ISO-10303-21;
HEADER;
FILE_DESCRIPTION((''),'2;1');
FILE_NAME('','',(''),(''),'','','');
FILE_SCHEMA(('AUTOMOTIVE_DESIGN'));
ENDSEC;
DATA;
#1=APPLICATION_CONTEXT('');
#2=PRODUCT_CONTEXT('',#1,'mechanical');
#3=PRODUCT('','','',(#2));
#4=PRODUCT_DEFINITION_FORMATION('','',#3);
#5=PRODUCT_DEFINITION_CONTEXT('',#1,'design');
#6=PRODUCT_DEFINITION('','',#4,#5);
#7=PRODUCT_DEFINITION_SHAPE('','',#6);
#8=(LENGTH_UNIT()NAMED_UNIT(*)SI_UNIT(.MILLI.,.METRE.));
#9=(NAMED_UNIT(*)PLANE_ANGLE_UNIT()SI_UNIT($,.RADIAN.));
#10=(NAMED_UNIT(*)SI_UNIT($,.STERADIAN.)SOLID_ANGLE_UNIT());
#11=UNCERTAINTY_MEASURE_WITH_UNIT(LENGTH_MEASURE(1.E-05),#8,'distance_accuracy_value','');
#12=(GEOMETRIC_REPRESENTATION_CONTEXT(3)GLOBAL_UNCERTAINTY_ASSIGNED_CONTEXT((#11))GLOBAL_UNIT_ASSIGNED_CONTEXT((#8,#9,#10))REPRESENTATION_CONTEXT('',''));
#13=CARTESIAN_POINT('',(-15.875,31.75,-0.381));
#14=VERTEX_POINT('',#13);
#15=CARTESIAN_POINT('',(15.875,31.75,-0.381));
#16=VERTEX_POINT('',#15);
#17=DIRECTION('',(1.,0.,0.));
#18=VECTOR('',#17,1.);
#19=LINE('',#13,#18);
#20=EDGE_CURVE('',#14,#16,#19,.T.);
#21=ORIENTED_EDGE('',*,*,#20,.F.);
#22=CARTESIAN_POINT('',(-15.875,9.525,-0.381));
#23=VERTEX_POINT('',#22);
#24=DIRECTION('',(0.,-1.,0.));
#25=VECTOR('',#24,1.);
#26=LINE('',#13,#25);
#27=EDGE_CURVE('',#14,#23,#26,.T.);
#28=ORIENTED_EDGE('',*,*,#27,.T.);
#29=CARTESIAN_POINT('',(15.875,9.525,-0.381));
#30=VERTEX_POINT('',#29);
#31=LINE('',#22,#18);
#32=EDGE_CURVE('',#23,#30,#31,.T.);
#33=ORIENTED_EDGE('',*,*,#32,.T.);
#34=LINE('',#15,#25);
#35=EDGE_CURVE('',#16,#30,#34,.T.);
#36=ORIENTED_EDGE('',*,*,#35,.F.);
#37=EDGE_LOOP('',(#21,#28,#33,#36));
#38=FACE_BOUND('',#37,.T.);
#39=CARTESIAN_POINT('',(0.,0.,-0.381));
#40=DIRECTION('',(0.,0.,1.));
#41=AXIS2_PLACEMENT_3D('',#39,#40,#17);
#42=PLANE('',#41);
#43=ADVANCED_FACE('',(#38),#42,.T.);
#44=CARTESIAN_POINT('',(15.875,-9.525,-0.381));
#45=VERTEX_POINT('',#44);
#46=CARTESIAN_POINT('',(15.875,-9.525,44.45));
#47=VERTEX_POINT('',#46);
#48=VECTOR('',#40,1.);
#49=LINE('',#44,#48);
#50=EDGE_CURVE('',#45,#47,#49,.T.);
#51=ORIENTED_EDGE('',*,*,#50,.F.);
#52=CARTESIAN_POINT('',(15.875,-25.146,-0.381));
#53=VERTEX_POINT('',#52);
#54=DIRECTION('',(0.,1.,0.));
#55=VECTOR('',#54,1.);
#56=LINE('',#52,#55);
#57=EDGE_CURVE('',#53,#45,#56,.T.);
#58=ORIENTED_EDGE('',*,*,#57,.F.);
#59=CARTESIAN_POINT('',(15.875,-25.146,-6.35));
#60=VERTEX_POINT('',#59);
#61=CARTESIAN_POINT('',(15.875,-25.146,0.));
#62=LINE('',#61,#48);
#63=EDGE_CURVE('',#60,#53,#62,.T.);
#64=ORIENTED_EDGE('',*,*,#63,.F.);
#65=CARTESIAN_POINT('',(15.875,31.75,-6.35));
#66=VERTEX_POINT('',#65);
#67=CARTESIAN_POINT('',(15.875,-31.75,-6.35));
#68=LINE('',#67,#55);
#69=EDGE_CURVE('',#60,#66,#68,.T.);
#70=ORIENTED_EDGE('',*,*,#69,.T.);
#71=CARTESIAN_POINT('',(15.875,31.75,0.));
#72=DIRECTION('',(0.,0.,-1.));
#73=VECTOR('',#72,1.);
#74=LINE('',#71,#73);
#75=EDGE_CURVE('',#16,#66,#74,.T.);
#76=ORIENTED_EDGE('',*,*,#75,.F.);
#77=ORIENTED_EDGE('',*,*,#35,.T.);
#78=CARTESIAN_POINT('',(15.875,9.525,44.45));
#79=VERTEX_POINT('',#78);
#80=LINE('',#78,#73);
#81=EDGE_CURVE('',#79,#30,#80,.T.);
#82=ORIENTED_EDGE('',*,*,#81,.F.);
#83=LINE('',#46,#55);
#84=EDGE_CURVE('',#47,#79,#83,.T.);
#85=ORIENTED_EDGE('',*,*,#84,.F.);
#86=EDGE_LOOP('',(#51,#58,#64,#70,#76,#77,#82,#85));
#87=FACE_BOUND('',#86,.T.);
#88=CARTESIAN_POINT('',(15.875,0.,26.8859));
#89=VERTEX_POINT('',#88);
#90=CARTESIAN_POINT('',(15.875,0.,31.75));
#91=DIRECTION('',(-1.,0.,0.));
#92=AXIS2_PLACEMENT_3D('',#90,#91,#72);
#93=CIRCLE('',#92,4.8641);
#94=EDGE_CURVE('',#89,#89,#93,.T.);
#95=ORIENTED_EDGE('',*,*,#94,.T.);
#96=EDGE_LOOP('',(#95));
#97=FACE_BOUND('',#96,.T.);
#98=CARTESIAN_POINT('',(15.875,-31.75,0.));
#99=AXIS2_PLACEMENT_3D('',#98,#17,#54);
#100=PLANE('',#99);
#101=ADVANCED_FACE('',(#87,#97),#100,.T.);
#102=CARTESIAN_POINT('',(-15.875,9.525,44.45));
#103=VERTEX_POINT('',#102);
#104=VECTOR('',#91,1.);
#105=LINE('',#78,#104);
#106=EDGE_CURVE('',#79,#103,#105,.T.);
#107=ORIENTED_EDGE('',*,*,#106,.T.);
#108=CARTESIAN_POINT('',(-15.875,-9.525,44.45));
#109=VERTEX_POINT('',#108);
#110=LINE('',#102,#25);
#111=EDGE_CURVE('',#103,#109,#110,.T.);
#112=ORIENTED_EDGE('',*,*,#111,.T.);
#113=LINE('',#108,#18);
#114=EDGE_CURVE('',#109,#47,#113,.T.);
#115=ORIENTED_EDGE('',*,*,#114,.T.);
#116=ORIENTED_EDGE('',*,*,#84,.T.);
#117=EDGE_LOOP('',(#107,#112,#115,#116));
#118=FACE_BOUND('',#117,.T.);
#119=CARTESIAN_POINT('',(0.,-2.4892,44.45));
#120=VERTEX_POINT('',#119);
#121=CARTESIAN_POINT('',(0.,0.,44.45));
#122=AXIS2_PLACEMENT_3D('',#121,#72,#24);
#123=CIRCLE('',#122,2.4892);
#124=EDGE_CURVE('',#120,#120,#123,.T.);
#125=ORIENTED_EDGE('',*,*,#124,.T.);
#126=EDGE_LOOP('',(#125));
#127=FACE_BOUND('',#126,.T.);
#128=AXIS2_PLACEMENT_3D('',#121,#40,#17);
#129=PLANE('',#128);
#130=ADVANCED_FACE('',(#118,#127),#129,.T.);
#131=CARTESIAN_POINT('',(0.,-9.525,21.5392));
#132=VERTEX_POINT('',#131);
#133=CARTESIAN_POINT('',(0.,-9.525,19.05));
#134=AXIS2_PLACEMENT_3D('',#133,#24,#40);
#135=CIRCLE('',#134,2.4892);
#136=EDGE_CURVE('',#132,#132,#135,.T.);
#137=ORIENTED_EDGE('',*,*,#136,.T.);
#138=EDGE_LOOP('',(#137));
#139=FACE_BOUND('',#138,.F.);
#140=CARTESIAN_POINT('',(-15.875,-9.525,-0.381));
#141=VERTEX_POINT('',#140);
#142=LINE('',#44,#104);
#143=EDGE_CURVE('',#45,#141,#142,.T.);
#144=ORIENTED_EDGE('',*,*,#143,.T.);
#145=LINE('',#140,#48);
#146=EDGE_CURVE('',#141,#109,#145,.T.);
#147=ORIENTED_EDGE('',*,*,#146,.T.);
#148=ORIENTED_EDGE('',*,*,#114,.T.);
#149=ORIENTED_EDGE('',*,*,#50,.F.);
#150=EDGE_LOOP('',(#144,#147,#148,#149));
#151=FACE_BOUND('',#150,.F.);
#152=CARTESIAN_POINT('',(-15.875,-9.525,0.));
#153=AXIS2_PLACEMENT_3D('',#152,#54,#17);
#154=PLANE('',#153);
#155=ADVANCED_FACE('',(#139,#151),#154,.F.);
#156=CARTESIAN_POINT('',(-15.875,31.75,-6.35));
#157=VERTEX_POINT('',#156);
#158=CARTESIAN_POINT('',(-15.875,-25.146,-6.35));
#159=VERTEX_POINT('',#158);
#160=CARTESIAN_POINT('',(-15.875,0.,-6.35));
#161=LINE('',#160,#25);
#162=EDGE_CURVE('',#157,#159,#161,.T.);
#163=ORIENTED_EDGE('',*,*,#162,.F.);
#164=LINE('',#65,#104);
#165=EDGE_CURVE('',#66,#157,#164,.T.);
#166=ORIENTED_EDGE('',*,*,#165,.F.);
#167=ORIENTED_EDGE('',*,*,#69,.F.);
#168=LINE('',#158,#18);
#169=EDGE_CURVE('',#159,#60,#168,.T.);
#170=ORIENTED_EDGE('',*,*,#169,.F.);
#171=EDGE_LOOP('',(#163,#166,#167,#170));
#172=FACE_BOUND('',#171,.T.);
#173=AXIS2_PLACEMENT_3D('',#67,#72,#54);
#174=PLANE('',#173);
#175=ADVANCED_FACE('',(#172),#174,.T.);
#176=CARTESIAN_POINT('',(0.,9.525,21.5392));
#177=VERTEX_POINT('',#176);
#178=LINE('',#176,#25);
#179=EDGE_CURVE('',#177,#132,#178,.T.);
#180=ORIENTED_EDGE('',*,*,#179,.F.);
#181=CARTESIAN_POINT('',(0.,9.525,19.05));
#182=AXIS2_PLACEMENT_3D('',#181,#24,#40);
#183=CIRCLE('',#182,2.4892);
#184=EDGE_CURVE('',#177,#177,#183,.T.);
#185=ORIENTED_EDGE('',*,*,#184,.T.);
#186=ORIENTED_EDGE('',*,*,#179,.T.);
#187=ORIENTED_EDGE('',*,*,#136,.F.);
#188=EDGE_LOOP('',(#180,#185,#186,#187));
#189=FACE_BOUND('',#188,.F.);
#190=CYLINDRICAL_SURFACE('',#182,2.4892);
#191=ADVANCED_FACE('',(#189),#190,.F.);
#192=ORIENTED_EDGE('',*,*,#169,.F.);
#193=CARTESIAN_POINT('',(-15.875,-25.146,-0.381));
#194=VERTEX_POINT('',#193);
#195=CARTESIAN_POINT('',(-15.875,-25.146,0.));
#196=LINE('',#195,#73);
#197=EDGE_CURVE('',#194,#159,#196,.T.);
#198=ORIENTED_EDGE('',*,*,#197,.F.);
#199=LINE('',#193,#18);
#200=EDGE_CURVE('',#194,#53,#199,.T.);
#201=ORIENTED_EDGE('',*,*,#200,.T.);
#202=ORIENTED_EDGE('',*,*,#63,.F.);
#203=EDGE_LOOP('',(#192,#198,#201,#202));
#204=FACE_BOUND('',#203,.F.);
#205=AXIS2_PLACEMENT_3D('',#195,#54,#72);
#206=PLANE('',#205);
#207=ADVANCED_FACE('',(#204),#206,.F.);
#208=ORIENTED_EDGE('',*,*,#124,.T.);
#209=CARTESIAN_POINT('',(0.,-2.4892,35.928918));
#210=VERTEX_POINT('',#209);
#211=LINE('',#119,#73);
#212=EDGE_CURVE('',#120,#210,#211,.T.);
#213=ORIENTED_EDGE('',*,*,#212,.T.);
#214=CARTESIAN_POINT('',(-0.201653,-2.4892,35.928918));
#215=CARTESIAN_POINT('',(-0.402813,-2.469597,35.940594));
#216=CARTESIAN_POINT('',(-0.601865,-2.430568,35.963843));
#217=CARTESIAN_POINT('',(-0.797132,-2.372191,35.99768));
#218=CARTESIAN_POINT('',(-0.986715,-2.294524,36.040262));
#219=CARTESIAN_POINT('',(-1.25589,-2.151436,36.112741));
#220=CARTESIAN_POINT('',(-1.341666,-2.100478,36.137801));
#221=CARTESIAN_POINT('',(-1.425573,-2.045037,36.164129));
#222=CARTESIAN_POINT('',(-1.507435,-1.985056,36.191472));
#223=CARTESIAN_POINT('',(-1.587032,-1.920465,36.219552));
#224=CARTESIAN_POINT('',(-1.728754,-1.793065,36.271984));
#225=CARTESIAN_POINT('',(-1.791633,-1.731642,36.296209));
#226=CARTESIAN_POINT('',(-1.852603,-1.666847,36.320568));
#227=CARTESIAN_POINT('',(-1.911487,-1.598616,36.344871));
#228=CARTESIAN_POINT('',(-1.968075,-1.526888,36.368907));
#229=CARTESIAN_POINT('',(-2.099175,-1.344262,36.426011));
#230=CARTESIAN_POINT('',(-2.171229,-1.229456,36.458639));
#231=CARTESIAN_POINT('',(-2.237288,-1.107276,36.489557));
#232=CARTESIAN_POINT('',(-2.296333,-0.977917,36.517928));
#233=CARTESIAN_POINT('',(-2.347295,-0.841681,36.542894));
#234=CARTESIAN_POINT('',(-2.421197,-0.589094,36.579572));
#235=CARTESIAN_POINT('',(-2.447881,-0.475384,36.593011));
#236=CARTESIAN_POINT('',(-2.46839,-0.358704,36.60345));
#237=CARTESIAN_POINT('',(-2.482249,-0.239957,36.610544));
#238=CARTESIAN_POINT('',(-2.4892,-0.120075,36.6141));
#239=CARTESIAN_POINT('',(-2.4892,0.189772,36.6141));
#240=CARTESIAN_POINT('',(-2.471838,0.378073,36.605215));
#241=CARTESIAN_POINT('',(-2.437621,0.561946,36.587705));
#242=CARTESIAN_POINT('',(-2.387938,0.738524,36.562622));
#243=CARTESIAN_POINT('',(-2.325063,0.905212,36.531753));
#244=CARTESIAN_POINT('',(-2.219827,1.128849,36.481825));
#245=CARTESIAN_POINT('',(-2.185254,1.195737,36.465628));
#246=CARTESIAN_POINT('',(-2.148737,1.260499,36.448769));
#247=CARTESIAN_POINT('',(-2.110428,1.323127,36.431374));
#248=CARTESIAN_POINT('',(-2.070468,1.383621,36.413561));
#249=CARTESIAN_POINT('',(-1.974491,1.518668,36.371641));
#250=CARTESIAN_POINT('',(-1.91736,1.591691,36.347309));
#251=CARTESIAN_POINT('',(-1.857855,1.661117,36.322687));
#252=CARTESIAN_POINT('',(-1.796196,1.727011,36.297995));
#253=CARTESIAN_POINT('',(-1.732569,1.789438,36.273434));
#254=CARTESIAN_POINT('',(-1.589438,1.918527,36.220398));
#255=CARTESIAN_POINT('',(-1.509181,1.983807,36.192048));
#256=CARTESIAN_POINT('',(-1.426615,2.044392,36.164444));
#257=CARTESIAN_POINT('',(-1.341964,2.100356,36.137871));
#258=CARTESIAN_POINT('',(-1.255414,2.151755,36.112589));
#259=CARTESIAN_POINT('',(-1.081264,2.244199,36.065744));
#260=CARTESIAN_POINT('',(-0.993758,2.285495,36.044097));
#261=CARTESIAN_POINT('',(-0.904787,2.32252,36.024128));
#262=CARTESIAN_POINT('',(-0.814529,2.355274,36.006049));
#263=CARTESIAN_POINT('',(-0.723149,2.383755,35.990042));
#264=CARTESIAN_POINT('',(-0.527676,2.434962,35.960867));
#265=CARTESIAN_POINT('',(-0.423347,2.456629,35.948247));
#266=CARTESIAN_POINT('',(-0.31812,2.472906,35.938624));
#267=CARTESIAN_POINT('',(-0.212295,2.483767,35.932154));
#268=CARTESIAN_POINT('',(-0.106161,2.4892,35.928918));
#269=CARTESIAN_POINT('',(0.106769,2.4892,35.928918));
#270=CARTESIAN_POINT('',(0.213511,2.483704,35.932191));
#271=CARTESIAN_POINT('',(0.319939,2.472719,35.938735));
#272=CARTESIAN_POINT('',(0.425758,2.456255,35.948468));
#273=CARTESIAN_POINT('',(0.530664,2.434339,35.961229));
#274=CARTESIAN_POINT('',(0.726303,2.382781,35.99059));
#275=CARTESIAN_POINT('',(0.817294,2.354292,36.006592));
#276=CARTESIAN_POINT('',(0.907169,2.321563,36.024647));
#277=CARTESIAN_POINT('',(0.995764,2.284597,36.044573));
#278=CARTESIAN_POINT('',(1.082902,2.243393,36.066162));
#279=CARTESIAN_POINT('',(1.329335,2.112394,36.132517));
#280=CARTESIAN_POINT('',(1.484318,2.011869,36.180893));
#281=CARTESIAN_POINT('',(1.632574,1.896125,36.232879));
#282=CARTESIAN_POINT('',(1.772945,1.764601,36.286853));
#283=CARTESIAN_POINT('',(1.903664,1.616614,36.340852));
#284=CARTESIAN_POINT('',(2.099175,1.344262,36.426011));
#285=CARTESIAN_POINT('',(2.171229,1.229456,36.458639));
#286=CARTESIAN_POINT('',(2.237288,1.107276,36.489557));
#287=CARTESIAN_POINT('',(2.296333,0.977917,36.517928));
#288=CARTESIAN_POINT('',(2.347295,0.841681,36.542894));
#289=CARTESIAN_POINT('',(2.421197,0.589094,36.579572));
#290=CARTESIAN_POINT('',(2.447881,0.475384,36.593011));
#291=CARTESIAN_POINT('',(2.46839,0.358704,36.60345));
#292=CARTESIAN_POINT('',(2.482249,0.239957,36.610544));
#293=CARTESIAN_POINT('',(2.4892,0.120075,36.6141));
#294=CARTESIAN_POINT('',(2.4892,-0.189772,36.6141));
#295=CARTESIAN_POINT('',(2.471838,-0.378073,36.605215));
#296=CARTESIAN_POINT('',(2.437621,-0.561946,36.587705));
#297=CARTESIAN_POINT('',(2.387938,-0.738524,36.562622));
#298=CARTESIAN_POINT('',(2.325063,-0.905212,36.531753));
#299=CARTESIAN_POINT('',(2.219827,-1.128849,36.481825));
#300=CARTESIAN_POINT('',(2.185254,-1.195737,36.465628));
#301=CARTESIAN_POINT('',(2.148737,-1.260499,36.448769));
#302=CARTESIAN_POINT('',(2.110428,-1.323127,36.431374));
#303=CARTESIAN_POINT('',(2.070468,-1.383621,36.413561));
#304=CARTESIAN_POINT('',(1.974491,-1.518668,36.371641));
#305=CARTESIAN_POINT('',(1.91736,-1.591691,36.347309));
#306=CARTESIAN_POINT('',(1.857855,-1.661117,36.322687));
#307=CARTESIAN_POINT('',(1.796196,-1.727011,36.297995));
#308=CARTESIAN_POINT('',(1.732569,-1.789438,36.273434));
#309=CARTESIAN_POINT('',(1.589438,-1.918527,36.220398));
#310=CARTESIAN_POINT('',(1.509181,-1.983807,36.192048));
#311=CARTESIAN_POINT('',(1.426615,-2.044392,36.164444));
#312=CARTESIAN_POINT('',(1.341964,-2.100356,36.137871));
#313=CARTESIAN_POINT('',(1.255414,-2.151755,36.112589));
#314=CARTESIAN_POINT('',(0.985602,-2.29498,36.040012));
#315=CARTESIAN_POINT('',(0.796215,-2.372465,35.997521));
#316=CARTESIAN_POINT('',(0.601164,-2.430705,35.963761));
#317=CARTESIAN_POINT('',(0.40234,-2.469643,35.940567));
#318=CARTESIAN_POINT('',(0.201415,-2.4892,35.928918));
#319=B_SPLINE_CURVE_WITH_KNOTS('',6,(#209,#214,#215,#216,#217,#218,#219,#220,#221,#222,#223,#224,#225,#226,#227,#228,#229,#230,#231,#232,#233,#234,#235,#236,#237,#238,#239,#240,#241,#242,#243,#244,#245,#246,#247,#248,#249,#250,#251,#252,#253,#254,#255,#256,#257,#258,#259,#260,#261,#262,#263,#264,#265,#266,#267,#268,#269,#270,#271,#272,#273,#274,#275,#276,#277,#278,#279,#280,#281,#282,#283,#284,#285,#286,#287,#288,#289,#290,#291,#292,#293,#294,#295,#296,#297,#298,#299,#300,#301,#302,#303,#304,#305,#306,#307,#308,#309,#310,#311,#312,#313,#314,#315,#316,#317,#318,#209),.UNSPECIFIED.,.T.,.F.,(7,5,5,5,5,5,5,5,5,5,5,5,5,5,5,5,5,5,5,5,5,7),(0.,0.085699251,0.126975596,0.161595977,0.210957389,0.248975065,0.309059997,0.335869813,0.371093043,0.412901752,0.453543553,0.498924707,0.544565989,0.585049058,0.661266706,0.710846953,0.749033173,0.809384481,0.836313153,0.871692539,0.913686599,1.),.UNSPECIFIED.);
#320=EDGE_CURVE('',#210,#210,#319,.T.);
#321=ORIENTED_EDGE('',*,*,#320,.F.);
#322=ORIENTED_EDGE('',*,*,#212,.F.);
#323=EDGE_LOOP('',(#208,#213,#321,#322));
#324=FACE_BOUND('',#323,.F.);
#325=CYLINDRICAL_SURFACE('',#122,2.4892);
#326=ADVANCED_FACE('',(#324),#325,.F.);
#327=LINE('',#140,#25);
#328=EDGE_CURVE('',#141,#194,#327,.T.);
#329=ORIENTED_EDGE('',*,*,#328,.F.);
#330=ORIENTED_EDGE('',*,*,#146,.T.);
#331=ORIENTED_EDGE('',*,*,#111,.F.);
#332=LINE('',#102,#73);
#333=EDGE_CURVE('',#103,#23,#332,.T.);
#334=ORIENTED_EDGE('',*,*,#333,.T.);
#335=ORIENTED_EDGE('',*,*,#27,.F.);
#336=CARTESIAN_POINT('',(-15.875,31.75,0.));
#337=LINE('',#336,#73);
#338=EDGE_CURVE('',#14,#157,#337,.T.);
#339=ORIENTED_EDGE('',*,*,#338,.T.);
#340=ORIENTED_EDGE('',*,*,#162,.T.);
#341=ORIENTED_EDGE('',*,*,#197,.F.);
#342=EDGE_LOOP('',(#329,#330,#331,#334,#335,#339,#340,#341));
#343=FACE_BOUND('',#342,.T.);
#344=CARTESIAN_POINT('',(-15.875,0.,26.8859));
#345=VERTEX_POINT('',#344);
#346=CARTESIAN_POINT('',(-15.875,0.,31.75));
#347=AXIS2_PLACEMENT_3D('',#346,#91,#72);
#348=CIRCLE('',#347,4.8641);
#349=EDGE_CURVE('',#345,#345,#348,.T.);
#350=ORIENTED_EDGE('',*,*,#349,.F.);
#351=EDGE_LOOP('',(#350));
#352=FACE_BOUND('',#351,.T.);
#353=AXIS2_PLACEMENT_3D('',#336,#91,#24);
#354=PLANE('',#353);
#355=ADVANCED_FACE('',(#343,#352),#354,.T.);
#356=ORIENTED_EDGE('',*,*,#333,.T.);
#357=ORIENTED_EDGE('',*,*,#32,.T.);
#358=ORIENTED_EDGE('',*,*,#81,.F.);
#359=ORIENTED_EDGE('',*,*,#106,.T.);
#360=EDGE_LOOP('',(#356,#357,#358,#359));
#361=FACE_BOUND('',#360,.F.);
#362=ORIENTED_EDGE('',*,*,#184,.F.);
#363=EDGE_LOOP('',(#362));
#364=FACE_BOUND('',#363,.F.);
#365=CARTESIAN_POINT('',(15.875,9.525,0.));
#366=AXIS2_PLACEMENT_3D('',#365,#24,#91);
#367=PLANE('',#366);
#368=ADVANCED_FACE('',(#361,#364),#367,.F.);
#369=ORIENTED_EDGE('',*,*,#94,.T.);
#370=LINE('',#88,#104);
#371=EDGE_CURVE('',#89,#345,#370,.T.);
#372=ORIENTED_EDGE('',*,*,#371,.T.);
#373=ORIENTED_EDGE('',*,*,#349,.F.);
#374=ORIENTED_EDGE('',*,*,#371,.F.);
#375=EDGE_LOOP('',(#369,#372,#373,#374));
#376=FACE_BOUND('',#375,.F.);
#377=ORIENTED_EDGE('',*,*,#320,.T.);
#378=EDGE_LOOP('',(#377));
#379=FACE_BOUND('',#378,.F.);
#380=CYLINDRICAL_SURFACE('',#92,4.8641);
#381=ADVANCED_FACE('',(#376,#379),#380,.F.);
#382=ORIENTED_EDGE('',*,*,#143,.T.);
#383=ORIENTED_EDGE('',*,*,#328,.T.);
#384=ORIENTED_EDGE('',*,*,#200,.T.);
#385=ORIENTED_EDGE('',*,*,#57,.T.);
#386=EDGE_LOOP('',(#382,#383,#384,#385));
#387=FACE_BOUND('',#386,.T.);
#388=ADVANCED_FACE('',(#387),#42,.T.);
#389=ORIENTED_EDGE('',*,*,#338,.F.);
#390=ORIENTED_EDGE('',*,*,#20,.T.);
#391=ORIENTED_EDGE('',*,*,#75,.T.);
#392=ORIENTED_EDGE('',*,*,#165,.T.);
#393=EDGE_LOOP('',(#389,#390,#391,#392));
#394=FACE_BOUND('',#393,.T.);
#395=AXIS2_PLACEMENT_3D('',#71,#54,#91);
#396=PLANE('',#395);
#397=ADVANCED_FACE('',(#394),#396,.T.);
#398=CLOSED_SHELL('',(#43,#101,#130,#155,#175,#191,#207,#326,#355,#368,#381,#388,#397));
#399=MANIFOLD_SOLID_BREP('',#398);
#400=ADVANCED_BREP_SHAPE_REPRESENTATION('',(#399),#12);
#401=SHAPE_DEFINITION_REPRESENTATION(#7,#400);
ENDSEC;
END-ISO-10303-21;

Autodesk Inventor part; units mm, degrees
ref_plane "YZ Plane" through (0, 0, 0) normal (1, 0, 0) x (0, 1, 0)
ref_plane "XZ Plane" through (0, 0, 0) normal (0, 1, 0) x (-1, 0, 0)
ref_plane "XY Plane" through (0, 0, 0) normal (0, 0, 1) x (1, 0, 0)
sketch "Sketch1" plane through (0, 0, 0) normal (0, 0, 1) x (1, 0, 0)
  line L0 (-15.875, -31.75) -> (15.875, -31.75)
  line L1 (15.875, -31.75) -> (15.875, 31.75)
  line L2 (15.875, 31.75) -> (-15.875, 31.75)
  line L3 (-15.875, 31.75) -> (-15.875, -31.75)
  line L4 (-15.875, -31.75) -> (15.875, 31.75) construction
  line L5 (15.875, -31.75) -> (-15.875, 31.75) construction
  point P0 (0, 0)
  dimension "height" = 63.5
  dimension "width" = 31.75
extrude "Extrusion1" add sketch "Sketch1" against normal blind 12.7
sketch "Sketch3" plane through (0, 0, 0) normal (0, 0, 1) x (1, 0, 0)
  line L0 (-15.875, -9.525) -> (15.875, -9.525)
  line L1 (15.875, -9.525) -> (15.875, 9.525)
  line L2 (15.875, 9.525) -> (-15.875, 9.525)
  line L3 (-15.875, 9.525) -> (-15.875, -9.525)
  line L4 (-15.875, -9.525) -> (15.875, 9.525) construction
  line L5 (15.875, -9.525) -> (-15.875, 9.525) construction
  line L6 (15.875, 31.75) -> (-15.875, 31.75) projected
  point P0 (0, 0)
  dimension "Channel_Width" = 19.05
  dimension "d52" = 31.75
extrude "Extrusion3" add sketch "Sketch3" along normal blind 44.45
sketch "Sketch6" plane through (15.875, -31.75, -12.7) normal (1, 0, 0) x (0, 0, -1)
  line L0 (-12.7, 31.75) -> (-57.15, 31.75) construction
  line L1 (-57.15, 22.225) -> (-57.15, 41.275) construction
  line L2 (-12.7, 41.275) -> (-12.7, 63.5) construction
  point P0 (-44.45, 31.75)
  dimension "d53" = 31.75
hole "Hole5" at (15.875, 0, 31.75) direction (-1, 0, 0) diameter 9.7282 end through all thread size "7/16-20 UNF" class "2B" standard "ANSI Unified Screw Threads"
sketch "Sketch13" plane through (15.875, -31.75, -12.7) normal (1, 0, 0) x (0, 0, -1)
  line L0 (-12.7, 63.5) -> (0, 63.5) projected
  line L1 (0, 0) -> (-6.35, 0)
  line L2 (-6.35, 0) -> (-6.35, 63.5)
  line L3 (-6.35, 63.5) -> (0, 63.5)
  line L4 (0, 63.5) -> (0, 0)
  point P0 (-12.7, 31.75)
  dimension "d98" = 6.35
extrude "Extrusion5" cut sketch "Sketch13" against normal through all
sketch "Sketch14" plane through (-15.875, -31.75, 0) normal (-1, 0, 0) x (0, 0, 1)
  line L0 (0, 0) -> (-6.35, 0) projected
  line L1 (0, 0) -> (0, 22.225) projected
  line L2 (-6.35, 0) -> (0, 0)
  line L3 (0, 0) -> (0, 6.604)
  line L4 (0, 6.604) -> (-6.35, 6.604)
  line L5 (-6.35, 6.604) -> (-6.35, 0)
  point P0 (0, 31.75)
  dimension "d101" = 6.604
extrude "Extrusion6" cut sketch "Sketch14" against normal through all
sketch "Sketch15" plane through (-15.875, 9.525, 0) normal (0, 1, 0) x (1, 0, 0)
  line L0 (31.75, -44.45) -> (0, -44.45) projected
  line L1 (0, 0) -> (0, -44.45) projected
  point P0 (15.875, 0)
  point P1 (15.875, -19.05)
  dimension "d104" = 25.4
  dimension "d123" = 15.875
hole "Hole11" at (0, 9.525, 19.05) direction (0, -1, 0) diameter 4.9784 end through all thread size "1/4-20 UNC" class "2B" standard "ANSI Unified Screw Threads"
sketch "Sketch11" plane through (0, 0, 44.45) normal (0, 0, 1) x (1, 0, 0)
  point P0 (0, 0)
hole "Hole12" at (0, 0, 44.45) direction (0, 0, -1) diameter 4.9784 depth 12.7 tip angle 118 thread size "1/4-20 UNC" class "2B" standard "ANSI Unified Screw Threads"
sketch "Sketch16" plane through (15.875, 9.525, 0) normal (1, 0, 0) x (0, 0, -1)
  point P0 (0, -9.525)
sketch "Sketch17" plane through (0, 0, 0) normal (0, 0, 1) x (1, 0, 0)
  line L0 (-15.875, 31.75) -> (-15.875, 9.525) projected
  line L1 (-15.875, 9.525) -> (15.875, 9.525) projected
  line L2 (-15.875, 31.75) -> (15.875, 31.75)
  line L3 (15.875, 31.75) -> (15.875, 9.525)
  line L4 (15.875, 9.525) -> (-15.875, 9.525)
  line L5 (-15.875, 9.525) -> (-15.875, 31.75)
  point P0 (0, 0)
extrude "Extrusion7" cut sketch "Sketch17" against normal blind 0.381
sketch "Sketch18" plane through (0, 0, 0) normal (0, 0, 1) x (1, 0, 0)
  line L0 (-15.875, -25.146) -> (15.875, -25.146) projected
  line L1 (15.875, -9.525) -> (15.875, 9.525) projected
  line L2 (-15.875, -25.146) -> (15.875, -25.146)
  line L3 (15.875, -25.146) -> (15.875, -9.525)
  line L4 (15.875, -9.525) -> (-15.875, -9.525)
  line L5 (-15.875, -9.525) -> (-15.875, -25.146)
  point P0 (0, 0)
extrude "Extrusion8" cut sketch "Sketch18" against normal blind 0.381
sketch "Sketch10" plane through (0, 0, 44.45) normal (0, 0, 1) x (1, 0, 0)
  point P0 (0, 0)
sketch "Sketch12" plane through (-15.875, -9.525, 0) normal (0, -1, 0) x (1, 0, 0)
  point P0 (15.875, 15.875)
equation "\"d52\" = width"
properties part number "AsBuilt Support For Arms" material "Aluminum 6061"
